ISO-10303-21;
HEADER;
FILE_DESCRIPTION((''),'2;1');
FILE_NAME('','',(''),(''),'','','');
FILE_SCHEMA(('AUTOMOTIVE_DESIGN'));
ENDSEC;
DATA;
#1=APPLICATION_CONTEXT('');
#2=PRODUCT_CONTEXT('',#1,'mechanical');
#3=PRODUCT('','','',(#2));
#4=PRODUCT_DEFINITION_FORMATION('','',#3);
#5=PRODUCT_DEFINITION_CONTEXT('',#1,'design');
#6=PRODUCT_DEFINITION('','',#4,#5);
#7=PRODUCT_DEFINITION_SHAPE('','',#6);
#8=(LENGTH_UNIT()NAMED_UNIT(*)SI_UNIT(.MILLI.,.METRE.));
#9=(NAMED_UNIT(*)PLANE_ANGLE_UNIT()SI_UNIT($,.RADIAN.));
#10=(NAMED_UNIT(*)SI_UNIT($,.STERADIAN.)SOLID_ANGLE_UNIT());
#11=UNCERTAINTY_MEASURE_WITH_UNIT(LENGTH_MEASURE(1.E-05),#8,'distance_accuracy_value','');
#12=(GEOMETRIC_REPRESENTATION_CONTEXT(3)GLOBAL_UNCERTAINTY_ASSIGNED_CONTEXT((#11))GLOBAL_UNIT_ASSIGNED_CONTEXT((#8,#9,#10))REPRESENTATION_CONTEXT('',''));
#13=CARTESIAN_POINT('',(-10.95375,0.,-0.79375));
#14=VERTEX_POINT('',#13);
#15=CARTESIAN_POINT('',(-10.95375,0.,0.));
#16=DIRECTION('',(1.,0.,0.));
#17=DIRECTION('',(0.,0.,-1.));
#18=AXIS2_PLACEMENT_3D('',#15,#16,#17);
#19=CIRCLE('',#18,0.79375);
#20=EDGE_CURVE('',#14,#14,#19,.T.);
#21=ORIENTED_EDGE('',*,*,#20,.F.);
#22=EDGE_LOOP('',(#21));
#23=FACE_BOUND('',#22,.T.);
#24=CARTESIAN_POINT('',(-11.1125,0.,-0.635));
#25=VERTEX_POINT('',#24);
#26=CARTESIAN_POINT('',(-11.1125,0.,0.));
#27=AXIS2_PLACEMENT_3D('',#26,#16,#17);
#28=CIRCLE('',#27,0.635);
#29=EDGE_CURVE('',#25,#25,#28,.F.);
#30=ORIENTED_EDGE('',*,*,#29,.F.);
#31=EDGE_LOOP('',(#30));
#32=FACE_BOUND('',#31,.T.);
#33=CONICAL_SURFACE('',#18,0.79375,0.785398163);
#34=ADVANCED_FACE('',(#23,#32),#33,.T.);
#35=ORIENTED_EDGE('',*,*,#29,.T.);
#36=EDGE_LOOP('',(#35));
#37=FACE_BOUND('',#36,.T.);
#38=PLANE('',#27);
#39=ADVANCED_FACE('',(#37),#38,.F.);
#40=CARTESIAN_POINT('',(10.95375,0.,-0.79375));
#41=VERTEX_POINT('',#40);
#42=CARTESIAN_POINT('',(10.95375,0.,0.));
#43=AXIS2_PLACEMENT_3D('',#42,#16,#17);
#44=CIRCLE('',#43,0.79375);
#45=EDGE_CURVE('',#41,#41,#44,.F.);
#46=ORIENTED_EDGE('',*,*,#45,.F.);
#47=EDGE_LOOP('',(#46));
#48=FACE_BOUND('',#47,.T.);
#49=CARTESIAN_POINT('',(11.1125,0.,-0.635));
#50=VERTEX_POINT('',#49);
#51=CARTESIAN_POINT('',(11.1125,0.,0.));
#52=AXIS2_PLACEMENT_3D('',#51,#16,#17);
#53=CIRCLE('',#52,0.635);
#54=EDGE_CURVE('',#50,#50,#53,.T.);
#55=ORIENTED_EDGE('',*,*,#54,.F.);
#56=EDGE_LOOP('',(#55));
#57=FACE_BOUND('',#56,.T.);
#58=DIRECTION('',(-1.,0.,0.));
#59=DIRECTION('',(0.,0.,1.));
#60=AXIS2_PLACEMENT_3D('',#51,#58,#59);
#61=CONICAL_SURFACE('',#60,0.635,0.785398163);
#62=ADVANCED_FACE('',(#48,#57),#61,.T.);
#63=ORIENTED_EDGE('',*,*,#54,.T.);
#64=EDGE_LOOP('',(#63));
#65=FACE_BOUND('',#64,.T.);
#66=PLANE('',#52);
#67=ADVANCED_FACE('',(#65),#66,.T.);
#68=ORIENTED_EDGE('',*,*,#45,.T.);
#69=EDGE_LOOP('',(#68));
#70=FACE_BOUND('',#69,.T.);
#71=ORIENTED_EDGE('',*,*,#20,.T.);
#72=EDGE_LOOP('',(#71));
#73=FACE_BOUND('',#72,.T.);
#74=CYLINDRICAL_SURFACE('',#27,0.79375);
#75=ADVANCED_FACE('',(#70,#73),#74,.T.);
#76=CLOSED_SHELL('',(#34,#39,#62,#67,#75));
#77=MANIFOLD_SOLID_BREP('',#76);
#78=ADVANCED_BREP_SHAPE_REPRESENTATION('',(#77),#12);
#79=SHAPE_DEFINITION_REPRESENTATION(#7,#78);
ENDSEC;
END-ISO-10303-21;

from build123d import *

# Parameters (mm, degrees)
SKETCH2_R           = 0.79375
EXTRUDE1_DEPTH      = 11.1125
EXTRUDE1_DEPTH_BACK = 11.1125
CHAMFER1_SIZE       = 0.15875


with BuildPart() as part:
    # Sketch2 → Extrude1 (new body, two sides)
    with BuildSketch(Plane(origin=(0, 0, 0), x_dir=(0, 0, -1), z_dir=(1, 0, 0))) as extrude1_sk:
        Circle(SKETCH2_R)
    extrude(amount=EXTRUDE1_DEPTH)
    extrude(extrude1_sk.sketch, amount=-EXTRUDE1_DEPTH_BACK)

    # Chamfer1
    chamfer1_edges = [part.edges().sort_by_distance(p)[0] for p in [
        (-11.1125, 0, 0.79375),
        (11.1125, 0, 0.79375),
    ]]
    chamfer(chamfer1_edges, length=CHAMFER1_SIZE)


solid = part.part
